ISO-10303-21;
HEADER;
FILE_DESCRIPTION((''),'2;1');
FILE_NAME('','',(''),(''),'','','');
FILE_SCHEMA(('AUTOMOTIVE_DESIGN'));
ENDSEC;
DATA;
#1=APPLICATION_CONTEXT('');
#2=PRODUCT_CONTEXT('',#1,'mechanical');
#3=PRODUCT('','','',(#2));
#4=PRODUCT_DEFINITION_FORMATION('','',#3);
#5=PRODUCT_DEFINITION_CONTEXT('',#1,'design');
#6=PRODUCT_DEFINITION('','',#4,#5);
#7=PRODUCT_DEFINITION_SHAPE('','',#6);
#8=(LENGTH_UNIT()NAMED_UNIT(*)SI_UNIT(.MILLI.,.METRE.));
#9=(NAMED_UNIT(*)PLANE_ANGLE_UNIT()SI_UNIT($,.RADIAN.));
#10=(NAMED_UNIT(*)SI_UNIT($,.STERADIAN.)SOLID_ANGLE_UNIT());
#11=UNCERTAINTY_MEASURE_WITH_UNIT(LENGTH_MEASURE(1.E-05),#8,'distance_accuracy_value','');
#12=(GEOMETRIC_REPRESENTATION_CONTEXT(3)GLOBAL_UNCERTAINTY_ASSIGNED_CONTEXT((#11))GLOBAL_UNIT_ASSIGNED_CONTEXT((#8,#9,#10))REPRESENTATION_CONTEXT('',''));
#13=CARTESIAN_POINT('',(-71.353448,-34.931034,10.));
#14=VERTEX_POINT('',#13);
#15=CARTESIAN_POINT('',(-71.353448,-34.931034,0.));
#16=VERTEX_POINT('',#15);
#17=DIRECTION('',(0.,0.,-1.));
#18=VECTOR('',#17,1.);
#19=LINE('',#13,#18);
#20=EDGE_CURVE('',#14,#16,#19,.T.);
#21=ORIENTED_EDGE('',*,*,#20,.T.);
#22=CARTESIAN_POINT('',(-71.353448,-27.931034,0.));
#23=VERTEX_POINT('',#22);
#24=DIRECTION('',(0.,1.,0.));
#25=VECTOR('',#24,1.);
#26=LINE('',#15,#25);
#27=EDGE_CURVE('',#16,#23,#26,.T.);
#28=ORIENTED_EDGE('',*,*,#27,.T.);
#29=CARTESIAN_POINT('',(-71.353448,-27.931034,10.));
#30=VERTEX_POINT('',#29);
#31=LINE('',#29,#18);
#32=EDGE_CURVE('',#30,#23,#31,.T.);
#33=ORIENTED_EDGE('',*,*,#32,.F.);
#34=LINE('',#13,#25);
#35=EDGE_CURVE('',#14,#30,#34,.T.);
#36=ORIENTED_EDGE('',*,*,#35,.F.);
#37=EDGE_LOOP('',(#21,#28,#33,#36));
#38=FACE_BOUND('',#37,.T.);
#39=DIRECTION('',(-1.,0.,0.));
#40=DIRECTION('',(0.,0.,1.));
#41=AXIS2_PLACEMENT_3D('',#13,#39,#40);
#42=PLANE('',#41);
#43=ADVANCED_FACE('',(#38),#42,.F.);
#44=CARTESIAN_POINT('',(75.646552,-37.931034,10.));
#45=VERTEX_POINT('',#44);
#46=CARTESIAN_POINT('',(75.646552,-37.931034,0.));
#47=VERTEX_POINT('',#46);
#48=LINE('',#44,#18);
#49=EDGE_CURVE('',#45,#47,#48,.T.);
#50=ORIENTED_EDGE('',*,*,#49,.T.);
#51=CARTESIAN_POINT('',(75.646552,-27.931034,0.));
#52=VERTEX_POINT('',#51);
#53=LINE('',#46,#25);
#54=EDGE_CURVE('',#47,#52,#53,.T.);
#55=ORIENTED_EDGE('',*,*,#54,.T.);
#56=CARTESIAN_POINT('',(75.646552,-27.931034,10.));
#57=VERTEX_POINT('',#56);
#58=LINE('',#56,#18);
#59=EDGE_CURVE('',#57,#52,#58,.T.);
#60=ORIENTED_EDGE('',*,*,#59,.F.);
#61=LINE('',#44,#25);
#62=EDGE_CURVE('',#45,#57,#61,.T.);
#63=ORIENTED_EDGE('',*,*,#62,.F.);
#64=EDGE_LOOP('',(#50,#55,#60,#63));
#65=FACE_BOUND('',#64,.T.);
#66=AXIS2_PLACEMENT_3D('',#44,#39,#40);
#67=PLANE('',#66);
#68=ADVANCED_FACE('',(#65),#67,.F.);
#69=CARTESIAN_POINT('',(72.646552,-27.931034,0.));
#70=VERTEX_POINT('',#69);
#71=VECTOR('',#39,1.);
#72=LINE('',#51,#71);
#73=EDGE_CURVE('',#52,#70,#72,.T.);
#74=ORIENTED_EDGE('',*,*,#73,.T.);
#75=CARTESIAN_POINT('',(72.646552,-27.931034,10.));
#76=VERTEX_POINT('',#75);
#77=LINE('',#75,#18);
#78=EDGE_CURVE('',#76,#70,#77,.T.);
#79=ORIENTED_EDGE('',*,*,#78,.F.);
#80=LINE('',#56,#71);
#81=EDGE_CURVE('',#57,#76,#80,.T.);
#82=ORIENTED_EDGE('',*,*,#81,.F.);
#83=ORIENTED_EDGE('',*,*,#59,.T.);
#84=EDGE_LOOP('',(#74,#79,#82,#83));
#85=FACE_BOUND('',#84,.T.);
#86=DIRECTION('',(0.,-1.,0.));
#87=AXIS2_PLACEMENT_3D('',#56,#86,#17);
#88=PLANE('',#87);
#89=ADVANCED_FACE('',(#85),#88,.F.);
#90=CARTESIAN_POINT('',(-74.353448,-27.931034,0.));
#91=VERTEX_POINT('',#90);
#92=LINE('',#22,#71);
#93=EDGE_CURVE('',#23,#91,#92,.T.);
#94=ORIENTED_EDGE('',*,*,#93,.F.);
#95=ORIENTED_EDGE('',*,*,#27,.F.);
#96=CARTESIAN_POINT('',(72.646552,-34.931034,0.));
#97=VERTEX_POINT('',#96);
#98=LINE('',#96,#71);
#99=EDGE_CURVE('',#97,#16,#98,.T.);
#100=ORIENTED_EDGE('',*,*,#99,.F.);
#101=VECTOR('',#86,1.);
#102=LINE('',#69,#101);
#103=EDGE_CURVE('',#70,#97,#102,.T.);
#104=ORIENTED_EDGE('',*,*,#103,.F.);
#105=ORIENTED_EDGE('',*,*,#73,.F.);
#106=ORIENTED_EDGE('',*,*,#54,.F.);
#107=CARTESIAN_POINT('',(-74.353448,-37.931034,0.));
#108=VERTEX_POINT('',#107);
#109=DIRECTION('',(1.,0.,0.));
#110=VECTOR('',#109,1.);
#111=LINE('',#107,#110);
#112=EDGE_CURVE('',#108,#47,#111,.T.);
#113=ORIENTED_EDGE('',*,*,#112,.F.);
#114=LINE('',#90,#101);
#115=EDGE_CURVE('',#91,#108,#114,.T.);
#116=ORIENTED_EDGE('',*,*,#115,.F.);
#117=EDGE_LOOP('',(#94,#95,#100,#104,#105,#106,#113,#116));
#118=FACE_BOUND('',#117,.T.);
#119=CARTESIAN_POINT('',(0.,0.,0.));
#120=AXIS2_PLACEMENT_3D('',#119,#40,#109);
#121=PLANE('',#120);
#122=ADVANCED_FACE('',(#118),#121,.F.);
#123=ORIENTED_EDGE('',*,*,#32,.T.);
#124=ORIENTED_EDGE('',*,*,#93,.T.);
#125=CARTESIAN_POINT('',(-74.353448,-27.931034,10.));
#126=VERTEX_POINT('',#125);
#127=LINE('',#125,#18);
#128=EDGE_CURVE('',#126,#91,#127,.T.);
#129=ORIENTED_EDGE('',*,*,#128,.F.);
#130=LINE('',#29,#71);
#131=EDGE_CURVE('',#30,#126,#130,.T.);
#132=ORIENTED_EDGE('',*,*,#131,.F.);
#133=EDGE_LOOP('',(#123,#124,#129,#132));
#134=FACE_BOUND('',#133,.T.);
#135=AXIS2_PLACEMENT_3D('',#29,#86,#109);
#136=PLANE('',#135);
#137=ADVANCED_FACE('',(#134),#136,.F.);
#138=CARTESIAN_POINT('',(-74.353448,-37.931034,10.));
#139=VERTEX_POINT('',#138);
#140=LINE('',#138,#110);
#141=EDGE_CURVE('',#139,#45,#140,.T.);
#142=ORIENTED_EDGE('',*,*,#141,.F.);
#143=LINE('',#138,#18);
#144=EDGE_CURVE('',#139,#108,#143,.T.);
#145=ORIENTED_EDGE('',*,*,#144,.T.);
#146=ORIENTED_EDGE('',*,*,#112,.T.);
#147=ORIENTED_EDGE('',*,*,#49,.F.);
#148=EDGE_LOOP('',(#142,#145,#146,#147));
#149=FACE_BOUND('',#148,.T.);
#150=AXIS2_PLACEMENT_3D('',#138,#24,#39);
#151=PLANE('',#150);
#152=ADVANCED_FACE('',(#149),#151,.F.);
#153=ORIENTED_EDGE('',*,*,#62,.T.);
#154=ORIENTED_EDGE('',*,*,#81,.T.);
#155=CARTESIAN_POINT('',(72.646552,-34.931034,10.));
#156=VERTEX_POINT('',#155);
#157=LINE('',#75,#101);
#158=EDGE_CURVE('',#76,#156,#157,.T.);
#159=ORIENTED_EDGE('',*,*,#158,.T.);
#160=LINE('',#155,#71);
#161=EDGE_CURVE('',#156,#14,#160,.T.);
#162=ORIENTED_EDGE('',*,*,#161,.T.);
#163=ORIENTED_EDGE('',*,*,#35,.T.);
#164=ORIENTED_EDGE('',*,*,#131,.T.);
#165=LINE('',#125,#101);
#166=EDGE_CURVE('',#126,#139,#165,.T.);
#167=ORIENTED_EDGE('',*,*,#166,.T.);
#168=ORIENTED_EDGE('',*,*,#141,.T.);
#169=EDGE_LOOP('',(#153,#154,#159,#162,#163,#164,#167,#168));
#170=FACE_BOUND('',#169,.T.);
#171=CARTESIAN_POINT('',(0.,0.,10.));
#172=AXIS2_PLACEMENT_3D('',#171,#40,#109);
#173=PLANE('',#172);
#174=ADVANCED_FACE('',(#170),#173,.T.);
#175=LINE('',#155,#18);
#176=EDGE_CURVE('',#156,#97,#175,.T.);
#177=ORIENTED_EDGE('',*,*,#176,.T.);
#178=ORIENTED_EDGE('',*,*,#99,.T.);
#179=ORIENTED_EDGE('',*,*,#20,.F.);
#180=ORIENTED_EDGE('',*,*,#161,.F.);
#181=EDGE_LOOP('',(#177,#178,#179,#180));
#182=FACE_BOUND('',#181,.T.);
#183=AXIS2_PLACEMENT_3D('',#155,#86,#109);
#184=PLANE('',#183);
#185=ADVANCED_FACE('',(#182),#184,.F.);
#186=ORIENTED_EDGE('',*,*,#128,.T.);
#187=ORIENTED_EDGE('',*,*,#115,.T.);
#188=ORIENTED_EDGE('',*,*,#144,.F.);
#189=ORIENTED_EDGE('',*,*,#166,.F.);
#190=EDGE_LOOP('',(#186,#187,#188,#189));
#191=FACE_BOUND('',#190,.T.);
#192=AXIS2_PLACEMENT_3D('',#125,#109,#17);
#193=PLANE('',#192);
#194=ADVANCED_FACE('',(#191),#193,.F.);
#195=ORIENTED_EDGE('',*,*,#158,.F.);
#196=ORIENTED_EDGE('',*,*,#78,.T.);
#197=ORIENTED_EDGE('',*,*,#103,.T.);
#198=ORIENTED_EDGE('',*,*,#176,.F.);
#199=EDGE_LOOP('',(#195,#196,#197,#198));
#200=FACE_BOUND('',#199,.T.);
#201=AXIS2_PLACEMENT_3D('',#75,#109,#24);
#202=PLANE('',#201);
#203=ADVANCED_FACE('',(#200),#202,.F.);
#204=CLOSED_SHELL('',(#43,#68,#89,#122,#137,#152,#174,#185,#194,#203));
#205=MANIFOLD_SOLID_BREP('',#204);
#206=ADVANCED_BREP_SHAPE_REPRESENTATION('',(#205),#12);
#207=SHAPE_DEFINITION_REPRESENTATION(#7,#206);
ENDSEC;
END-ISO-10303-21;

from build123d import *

# Parameters (mm, degrees)
BOSS_EXTRUDE1_DEPTH = 10


with BuildPart() as part:
    # Sketch1 → Boss-Extrude1 (new body)
    with BuildSketch(Plane.XY):
        Polygon((-74.353448276, -37.931034483), (75.646551724, -37.931034483), (75.646551724, -27.931034483), (72.646551724, -27.931034483), (72.646551724, -34.931034483), (-71.353448276, -34.931034483), (-71.353448276, -27.931034483), (-74.353448276, -27.931034483), align=None)
    extrude(amount=BOSS_EXTRUDE1_DEPTH)


solid = part.part
